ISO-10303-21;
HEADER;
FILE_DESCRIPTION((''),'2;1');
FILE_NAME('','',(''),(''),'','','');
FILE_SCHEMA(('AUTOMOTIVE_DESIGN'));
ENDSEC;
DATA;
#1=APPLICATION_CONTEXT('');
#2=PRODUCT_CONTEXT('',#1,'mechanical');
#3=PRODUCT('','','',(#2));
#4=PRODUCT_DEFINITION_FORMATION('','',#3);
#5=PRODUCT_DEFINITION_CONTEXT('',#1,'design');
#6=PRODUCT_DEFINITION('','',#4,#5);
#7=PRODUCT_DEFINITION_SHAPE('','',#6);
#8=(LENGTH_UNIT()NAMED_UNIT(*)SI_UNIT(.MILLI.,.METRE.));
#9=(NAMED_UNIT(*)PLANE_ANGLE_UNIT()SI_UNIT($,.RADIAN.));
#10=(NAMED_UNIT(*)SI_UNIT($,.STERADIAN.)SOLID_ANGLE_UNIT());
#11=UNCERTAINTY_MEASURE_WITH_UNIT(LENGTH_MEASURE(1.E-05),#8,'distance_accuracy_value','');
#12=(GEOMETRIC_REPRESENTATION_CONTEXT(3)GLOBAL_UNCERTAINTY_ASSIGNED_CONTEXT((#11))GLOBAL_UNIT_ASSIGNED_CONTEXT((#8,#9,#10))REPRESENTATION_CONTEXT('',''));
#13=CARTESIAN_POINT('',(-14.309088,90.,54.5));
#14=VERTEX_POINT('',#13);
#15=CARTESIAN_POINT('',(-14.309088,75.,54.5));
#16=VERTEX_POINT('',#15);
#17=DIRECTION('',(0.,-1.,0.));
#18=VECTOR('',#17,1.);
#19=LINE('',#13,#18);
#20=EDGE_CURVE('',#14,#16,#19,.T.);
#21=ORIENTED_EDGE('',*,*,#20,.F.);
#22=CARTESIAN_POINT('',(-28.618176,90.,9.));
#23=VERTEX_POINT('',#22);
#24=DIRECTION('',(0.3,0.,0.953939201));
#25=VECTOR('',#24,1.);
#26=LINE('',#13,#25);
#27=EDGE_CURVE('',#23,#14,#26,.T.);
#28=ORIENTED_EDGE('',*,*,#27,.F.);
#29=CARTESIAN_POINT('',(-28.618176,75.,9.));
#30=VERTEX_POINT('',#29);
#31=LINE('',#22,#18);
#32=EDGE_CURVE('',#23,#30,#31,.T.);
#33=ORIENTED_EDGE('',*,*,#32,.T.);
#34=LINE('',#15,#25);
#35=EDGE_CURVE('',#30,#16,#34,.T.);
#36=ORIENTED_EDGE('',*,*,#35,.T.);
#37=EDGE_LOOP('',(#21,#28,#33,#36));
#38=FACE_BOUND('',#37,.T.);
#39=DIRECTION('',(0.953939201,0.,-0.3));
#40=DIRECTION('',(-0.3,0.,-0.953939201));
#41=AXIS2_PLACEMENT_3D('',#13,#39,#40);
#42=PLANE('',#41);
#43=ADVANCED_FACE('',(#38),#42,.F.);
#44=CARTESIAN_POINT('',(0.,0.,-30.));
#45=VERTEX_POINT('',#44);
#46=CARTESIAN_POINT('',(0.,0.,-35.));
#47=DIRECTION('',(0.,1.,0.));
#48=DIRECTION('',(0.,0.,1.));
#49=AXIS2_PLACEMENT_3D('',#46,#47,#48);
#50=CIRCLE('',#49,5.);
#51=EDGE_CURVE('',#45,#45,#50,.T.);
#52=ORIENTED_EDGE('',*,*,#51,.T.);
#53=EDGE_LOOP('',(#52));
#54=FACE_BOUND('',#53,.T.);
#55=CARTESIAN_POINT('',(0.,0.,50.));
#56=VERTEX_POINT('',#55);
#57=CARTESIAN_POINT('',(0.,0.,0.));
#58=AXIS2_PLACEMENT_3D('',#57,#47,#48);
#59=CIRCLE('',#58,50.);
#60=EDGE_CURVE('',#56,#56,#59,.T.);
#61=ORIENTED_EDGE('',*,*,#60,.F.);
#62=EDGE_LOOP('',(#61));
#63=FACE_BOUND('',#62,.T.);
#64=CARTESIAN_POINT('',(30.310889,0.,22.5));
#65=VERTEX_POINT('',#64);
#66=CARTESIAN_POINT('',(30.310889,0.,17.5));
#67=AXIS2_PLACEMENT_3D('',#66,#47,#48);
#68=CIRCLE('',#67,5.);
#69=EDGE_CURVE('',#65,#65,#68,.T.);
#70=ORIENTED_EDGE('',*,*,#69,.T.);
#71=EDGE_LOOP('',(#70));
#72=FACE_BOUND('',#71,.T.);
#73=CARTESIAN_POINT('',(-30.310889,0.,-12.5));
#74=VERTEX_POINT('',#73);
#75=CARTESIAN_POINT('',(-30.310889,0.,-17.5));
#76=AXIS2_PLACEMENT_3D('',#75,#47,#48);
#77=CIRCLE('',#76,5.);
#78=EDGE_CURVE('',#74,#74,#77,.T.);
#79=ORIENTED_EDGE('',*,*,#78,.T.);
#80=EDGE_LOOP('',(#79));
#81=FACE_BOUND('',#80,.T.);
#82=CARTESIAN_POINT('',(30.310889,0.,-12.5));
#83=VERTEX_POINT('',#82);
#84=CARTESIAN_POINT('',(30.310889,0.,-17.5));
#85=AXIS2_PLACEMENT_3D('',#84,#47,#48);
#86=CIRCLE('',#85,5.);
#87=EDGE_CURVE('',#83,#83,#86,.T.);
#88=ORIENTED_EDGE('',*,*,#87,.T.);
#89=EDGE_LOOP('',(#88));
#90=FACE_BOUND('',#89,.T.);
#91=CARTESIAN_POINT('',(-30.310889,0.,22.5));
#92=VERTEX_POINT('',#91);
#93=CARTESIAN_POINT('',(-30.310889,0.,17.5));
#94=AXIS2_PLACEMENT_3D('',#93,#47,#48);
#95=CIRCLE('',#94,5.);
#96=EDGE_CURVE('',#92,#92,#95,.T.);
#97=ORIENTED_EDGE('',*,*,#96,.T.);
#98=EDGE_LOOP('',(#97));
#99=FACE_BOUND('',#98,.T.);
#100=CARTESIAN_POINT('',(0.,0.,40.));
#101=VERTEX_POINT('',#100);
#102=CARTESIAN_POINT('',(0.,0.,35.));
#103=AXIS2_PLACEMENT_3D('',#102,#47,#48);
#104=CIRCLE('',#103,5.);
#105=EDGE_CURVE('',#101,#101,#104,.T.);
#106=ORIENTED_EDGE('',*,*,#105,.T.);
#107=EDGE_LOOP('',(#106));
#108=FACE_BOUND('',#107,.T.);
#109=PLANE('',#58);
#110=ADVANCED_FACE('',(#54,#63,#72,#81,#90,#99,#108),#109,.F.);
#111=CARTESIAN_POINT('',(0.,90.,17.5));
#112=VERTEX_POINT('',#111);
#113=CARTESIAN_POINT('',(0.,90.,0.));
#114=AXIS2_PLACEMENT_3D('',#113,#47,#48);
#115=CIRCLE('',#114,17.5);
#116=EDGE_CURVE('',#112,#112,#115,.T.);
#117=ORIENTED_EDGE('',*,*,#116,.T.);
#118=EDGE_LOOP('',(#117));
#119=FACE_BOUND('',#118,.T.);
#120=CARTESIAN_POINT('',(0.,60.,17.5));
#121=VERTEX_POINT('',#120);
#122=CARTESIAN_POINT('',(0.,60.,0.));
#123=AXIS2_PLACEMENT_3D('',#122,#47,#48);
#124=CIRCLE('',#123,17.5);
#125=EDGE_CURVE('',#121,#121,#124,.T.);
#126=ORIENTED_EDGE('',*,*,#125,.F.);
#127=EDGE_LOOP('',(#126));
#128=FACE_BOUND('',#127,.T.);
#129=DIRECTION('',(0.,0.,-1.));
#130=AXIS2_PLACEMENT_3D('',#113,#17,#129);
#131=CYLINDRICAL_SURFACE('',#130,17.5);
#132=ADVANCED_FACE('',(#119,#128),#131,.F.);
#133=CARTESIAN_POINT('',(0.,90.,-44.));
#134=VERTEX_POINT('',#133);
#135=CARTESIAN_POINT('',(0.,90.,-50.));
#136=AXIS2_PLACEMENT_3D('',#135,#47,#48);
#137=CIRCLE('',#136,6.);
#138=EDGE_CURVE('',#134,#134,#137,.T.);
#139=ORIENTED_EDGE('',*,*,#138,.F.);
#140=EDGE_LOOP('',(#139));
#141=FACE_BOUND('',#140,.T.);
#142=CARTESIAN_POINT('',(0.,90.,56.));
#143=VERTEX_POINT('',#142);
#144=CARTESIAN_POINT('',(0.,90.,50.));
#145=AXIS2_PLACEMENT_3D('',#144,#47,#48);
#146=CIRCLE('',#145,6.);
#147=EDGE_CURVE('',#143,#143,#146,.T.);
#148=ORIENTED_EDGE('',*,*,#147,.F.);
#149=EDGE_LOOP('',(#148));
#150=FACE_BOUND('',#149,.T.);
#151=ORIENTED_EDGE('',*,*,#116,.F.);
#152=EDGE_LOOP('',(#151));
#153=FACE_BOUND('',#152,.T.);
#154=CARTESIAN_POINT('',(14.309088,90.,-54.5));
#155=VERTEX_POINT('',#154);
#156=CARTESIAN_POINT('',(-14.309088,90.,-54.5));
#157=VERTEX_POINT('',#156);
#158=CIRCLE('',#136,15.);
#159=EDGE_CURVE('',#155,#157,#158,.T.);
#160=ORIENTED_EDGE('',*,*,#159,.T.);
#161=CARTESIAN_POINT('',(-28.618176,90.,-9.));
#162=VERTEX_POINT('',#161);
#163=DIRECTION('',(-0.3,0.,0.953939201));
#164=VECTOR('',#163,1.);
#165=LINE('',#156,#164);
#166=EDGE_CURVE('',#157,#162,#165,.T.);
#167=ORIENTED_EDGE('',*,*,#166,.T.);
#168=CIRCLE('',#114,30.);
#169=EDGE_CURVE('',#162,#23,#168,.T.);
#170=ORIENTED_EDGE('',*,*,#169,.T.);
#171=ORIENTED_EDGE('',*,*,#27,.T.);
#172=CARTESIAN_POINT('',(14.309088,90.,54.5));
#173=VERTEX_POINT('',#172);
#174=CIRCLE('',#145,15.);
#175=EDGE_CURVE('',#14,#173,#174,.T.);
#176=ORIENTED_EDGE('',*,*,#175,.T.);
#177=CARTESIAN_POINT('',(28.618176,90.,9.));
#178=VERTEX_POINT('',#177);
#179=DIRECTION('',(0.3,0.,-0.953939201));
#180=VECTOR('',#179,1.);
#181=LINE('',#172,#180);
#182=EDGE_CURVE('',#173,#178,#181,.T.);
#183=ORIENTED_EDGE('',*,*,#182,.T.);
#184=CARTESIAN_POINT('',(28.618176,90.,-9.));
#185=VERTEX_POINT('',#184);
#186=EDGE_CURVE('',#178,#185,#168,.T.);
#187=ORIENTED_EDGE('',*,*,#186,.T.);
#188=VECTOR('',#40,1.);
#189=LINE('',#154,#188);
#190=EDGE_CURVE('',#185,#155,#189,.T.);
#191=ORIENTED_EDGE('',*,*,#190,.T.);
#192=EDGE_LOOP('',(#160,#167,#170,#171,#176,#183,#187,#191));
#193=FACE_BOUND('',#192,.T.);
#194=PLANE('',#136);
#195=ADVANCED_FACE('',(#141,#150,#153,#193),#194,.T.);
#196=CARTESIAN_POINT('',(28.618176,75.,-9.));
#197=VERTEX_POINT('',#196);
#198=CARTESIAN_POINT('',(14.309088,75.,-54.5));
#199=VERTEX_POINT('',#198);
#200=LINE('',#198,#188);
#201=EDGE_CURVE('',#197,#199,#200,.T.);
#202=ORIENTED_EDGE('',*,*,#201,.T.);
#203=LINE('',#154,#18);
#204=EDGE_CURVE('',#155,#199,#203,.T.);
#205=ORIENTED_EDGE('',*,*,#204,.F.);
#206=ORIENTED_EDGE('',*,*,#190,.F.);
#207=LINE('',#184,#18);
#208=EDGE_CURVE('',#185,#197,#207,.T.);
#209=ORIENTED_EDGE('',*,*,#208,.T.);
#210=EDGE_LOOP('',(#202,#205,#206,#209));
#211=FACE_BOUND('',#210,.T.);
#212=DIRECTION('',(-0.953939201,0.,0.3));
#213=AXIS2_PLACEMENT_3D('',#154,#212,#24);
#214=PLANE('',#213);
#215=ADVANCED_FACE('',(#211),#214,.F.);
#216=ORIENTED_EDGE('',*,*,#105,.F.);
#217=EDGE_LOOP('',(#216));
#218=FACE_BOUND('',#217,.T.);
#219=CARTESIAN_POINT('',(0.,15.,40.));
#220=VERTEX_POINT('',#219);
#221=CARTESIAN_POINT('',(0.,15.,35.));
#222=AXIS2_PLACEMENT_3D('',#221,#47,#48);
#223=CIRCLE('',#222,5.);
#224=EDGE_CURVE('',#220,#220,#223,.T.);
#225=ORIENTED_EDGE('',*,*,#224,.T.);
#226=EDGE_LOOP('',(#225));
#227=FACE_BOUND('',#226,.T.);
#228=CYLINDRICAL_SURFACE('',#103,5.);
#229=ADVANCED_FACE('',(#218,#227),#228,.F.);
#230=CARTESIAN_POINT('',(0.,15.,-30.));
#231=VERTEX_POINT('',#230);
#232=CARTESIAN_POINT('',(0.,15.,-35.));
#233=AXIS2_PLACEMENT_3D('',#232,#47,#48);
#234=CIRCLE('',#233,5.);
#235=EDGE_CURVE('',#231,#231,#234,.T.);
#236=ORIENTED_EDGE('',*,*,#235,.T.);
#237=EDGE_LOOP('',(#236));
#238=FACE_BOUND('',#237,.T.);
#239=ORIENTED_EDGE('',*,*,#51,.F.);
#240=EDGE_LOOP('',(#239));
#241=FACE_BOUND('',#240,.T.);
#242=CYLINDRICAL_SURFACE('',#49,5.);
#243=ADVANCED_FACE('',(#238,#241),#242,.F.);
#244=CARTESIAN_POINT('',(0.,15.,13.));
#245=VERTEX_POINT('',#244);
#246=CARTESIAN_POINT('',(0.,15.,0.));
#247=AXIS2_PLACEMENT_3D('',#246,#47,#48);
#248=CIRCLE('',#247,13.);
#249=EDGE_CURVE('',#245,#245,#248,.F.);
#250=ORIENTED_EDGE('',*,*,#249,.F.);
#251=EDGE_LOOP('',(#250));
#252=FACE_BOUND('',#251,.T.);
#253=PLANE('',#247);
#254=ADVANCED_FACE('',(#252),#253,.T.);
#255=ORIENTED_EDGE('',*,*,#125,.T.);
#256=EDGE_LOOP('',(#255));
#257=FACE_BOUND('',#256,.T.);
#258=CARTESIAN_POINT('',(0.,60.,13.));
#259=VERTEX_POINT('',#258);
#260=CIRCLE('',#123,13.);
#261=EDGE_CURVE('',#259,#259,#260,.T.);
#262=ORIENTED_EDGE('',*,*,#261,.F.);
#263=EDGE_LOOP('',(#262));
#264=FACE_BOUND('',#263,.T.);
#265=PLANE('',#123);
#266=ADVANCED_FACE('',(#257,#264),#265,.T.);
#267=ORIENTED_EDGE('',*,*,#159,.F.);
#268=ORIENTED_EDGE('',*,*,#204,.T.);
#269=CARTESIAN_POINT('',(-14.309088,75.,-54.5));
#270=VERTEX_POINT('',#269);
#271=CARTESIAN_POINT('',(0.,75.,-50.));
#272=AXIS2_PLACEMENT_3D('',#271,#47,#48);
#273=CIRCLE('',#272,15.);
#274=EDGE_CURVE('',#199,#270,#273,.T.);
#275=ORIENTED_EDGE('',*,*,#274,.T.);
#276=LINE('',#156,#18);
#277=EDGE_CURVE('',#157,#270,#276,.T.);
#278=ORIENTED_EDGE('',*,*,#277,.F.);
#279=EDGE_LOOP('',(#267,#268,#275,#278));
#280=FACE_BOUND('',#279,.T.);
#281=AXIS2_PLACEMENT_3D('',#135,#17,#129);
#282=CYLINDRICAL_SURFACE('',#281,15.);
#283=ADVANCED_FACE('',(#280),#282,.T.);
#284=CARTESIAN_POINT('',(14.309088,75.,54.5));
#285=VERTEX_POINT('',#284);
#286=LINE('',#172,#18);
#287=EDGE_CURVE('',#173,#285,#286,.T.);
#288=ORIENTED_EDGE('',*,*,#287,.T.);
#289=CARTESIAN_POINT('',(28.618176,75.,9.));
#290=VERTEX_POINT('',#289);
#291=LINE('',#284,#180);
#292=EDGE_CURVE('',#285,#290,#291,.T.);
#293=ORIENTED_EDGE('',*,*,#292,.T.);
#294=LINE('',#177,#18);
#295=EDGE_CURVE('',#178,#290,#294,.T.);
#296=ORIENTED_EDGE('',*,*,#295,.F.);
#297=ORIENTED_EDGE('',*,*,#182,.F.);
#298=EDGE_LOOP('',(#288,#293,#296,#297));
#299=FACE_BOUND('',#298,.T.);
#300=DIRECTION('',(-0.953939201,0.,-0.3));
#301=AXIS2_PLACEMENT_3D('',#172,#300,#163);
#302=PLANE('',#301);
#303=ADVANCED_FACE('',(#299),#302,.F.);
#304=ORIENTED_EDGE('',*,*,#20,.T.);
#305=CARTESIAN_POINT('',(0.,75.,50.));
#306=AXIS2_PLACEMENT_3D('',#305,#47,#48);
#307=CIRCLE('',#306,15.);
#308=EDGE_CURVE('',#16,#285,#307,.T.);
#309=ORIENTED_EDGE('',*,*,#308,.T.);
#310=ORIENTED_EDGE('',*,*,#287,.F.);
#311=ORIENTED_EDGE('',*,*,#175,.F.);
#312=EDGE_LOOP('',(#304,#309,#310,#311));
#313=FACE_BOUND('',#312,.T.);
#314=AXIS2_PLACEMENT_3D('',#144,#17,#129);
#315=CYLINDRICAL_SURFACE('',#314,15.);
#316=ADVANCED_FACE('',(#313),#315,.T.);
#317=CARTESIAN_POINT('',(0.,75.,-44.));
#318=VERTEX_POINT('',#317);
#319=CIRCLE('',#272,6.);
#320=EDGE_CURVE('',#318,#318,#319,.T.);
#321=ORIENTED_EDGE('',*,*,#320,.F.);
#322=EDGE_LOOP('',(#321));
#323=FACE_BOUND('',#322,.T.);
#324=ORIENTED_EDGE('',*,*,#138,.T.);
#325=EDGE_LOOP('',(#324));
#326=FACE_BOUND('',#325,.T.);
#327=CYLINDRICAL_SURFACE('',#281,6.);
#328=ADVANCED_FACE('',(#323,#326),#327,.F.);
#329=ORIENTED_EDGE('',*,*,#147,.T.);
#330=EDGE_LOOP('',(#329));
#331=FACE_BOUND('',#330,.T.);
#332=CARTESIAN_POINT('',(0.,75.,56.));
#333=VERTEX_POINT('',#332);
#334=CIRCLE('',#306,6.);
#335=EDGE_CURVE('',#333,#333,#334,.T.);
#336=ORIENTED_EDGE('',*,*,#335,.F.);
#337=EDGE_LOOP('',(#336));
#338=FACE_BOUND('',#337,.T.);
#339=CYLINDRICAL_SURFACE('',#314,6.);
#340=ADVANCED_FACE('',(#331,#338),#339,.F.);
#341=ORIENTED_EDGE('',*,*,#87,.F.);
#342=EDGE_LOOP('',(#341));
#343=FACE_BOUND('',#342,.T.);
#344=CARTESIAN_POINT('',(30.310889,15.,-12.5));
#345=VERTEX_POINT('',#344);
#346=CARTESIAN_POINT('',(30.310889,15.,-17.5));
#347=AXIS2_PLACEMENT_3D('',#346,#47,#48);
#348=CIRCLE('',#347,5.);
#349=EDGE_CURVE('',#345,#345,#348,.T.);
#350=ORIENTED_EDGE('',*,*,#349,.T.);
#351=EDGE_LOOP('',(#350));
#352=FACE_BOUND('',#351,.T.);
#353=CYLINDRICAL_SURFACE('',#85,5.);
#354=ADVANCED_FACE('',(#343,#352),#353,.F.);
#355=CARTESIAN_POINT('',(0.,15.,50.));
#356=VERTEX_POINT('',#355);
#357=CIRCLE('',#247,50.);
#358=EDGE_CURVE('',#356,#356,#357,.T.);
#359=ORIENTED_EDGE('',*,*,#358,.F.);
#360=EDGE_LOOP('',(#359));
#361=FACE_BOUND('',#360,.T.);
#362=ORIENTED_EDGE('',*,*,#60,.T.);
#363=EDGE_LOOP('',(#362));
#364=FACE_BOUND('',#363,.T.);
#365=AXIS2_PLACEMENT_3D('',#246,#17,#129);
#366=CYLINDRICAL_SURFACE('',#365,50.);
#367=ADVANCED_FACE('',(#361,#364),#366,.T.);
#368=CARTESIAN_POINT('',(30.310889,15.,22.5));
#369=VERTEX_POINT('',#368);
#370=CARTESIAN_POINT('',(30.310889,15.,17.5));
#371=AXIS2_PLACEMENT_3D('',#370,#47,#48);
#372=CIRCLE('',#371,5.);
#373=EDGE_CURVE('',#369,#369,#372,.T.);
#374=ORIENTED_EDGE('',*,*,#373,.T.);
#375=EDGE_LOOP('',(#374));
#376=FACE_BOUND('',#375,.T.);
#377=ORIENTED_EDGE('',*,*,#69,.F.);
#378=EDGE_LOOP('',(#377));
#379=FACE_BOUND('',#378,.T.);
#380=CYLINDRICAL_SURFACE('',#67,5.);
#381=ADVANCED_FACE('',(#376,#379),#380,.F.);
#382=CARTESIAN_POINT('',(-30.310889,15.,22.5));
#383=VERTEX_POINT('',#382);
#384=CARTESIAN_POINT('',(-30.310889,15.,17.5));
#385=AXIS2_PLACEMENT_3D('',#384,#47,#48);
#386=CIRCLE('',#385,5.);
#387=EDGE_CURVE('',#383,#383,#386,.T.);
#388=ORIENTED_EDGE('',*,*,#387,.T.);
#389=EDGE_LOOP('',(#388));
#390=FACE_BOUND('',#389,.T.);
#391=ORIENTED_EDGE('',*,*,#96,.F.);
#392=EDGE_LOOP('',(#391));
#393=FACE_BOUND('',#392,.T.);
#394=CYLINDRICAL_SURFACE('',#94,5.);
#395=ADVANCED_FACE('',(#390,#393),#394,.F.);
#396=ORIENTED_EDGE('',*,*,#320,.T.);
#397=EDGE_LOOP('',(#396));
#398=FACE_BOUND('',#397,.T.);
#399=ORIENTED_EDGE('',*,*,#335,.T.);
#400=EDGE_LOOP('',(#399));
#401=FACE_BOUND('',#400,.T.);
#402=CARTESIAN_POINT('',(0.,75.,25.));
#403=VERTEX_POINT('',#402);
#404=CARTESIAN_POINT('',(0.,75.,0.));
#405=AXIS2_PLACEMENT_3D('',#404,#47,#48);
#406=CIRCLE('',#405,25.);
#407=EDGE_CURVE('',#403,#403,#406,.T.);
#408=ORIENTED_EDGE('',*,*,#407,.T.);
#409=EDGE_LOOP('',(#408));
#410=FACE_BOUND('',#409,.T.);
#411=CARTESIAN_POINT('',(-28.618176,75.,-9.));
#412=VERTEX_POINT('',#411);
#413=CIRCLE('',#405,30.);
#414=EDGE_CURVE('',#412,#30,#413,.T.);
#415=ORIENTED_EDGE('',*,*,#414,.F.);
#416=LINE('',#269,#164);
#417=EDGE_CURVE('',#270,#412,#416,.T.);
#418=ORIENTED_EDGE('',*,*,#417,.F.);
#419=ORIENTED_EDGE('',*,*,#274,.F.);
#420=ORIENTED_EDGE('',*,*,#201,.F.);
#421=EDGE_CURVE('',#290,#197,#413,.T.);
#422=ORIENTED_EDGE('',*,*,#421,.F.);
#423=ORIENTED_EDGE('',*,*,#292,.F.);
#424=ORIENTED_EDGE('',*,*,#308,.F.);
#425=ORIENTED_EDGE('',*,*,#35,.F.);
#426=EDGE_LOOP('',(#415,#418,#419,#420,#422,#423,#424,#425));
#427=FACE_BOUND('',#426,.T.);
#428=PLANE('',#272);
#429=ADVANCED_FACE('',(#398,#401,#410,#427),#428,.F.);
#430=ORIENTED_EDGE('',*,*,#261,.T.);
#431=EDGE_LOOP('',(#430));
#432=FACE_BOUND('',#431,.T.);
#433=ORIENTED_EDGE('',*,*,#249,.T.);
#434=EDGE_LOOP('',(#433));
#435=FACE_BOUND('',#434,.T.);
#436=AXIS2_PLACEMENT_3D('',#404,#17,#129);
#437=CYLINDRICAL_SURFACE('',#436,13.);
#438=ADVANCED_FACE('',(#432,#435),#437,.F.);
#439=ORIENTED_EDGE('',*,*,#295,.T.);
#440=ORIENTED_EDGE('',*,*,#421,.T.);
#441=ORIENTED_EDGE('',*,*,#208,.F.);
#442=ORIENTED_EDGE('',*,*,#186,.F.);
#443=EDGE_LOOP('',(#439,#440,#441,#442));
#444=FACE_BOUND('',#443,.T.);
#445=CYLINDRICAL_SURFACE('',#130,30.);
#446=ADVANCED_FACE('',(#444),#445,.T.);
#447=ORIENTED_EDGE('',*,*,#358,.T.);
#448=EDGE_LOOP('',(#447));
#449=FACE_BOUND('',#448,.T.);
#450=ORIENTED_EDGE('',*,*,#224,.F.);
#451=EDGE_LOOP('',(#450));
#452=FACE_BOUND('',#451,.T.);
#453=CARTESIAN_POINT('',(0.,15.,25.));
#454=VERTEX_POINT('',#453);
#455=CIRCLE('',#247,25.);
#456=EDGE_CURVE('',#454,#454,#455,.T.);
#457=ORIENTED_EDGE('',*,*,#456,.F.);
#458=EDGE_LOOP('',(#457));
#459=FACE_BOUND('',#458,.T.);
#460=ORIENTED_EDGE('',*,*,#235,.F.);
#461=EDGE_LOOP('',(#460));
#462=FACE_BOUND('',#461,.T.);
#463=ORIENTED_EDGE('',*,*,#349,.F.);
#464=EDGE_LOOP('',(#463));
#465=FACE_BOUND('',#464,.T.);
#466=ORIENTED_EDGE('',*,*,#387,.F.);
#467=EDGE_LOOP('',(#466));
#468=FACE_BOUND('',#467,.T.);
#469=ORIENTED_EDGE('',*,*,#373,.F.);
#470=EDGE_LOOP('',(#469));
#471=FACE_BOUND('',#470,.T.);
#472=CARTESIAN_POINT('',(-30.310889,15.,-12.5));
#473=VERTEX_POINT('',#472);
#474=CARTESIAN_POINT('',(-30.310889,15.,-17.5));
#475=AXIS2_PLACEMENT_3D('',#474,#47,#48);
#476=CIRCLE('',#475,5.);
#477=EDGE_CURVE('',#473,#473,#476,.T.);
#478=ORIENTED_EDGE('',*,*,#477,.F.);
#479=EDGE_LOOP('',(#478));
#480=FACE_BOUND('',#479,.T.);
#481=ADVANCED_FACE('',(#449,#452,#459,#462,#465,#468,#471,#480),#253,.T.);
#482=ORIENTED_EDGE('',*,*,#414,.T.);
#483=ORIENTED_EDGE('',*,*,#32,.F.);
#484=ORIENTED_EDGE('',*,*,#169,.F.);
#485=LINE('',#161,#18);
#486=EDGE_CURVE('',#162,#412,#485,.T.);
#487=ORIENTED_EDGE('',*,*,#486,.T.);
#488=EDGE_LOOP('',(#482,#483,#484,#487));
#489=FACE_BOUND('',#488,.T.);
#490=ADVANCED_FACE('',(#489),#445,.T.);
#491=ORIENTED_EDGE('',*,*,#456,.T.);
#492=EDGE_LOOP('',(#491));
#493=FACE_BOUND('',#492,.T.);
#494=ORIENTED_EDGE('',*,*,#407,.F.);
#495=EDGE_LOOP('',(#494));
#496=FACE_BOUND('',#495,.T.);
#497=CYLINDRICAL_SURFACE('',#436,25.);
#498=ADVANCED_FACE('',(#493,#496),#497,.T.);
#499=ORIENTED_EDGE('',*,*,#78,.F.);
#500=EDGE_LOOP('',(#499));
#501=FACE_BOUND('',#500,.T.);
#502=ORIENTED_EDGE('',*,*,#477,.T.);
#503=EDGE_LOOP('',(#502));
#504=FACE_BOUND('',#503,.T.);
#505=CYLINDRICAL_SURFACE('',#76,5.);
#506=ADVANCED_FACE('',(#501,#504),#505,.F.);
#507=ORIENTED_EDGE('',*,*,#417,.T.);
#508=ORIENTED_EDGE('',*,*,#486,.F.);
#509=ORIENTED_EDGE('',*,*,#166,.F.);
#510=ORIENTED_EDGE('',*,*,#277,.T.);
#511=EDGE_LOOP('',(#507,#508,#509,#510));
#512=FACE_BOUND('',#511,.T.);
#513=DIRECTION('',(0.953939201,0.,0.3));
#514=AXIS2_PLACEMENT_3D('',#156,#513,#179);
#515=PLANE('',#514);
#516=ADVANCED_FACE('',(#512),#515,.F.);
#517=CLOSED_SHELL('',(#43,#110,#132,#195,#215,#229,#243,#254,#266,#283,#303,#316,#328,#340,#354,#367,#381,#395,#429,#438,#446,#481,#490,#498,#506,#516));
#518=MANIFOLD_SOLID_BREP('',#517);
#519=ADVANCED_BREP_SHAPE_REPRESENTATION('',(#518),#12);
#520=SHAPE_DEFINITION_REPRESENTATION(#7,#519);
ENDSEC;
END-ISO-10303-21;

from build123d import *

# Parameters (mm, degrees)
SKETCH1_R           = 50
BOSS_EXTRUDE1_DEPTH = 15
SKETCH2_R           = 5
CUT_EXTRUDE1_DEPTH  = 73.284161474
SKETCH3_R           = 25
SKETCH3_R_2         = 13
BOSS_EXTRUDE2_DEPTH = 60
SKETCH6_R           = 6
SKETCH6_R_2         = 17.5
BOSS_EXTRUDE3_DEPTH = 15
CUT_EXTRUDE2_START  = -30
SKETCH7_R           = 17.5
CUT_EXTRUDE2_DEPTH  = 30


with BuildPart() as part:
    # Sketch1 → Boss-Extrude1 (new body)
    with BuildSketch(Plane(origin=(0, 0, 0), x_dir=(1, 0, 0), z_dir=(0, 1, 0))):
        Circle(SKETCH1_R)
    extrude(amount=BOSS_EXTRUDE1_DEPTH)

    # Sketch2 → Cut-Extrude1 (cut, through all)
    with BuildSketch(Plane(origin=(0, 15, 0), x_dir=(1, 0, 0), z_dir=(0, 1, 0))):
        with Locations((0, 35)):
            Circle(SKETCH2_R)
        with Locations((30.310889132, 17.5)):
            Circle(SKETCH2_R)
        with Locations((30.310889132, -17.5)):
            Circle(SKETCH2_R)
        with Locations((0, -35)):
            Circle(SKETCH2_R)
        with Locations((-30.310889132, -17.5)):
            Circle(SKETCH2_R)
        with Locations((-30.310889132, 17.5)):
            Circle(SKETCH2_R)
    extrude(amount=-CUT_EXTRUDE1_DEPTH, mode=Mode.SUBTRACT)

    # Sketch3 → Boss-Extrude2 (add)
    with BuildSketch(Plane(origin=(0, 15, 0), x_dir=(1, 0, 0), z_dir=(0, 1, 0))):
        Circle(SKETCH3_R)
        Circle(SKETCH3_R_2, mode=Mode.SUBTRACT)
    extrude(amount=BOSS_EXTRUDE2_DEPTH)

    # Sketch6 → Boss-Extrude3 (add)
    with BuildSketch(Plane(origin=(0, 75, 0), x_dir=(1, 0, 0), z_dir=(0, 1, 0))):
        with BuildLine():
            Line((14.309088021, 54.5), (28.618176043, 9))
            ThreePointArc((28.618176043, 9), (30, 0), (28.618176043, -9))
            Line((28.618176043, -9), (14.309088021, -54.5))
            ThreePointArc((14.309088021, -54.5), (0, -65), (-14.309088021, -54.5))
            Line((-14.309088021, -54.5), (-28.618176043, -9))
            ThreePointArc((-28.618176043, -9), (-30, 0), (-28.618176043, 9))
            Line((-28.618176043, 9), (-14.309088021, 54.5))
            ThreePointArc((-14.309088021, 54.5), (0, 65), (14.309088021, 54.5))
        make_face()
        with Locations((0, -50)):
            Circle(SKETCH6_R, mode=Mode.SUBTRACT)
        with Locations((0, 50)):
            Circle(SKETCH6_R, mode=Mode.SUBTRACT)
        Circle(SKETCH6_R_2, mode=Mode.SUBTRACT)
    extrude(amount=BOSS_EXTRUDE3_DEPTH)

    # Sketch7 → Cut-Extrude2 (cut)
    with BuildSketch(Plane(origin=(0, 90, 0), x_dir=(1, 0, 0), z_dir=(0, 1, 0)).offset(CUT_EXTRUDE2_START)):
        Circle(SKETCH7_R)
    extrude(amount=CUT_EXTRUDE2_DEPTH, mode=Mode.SUBTRACT)


solid = part.part
